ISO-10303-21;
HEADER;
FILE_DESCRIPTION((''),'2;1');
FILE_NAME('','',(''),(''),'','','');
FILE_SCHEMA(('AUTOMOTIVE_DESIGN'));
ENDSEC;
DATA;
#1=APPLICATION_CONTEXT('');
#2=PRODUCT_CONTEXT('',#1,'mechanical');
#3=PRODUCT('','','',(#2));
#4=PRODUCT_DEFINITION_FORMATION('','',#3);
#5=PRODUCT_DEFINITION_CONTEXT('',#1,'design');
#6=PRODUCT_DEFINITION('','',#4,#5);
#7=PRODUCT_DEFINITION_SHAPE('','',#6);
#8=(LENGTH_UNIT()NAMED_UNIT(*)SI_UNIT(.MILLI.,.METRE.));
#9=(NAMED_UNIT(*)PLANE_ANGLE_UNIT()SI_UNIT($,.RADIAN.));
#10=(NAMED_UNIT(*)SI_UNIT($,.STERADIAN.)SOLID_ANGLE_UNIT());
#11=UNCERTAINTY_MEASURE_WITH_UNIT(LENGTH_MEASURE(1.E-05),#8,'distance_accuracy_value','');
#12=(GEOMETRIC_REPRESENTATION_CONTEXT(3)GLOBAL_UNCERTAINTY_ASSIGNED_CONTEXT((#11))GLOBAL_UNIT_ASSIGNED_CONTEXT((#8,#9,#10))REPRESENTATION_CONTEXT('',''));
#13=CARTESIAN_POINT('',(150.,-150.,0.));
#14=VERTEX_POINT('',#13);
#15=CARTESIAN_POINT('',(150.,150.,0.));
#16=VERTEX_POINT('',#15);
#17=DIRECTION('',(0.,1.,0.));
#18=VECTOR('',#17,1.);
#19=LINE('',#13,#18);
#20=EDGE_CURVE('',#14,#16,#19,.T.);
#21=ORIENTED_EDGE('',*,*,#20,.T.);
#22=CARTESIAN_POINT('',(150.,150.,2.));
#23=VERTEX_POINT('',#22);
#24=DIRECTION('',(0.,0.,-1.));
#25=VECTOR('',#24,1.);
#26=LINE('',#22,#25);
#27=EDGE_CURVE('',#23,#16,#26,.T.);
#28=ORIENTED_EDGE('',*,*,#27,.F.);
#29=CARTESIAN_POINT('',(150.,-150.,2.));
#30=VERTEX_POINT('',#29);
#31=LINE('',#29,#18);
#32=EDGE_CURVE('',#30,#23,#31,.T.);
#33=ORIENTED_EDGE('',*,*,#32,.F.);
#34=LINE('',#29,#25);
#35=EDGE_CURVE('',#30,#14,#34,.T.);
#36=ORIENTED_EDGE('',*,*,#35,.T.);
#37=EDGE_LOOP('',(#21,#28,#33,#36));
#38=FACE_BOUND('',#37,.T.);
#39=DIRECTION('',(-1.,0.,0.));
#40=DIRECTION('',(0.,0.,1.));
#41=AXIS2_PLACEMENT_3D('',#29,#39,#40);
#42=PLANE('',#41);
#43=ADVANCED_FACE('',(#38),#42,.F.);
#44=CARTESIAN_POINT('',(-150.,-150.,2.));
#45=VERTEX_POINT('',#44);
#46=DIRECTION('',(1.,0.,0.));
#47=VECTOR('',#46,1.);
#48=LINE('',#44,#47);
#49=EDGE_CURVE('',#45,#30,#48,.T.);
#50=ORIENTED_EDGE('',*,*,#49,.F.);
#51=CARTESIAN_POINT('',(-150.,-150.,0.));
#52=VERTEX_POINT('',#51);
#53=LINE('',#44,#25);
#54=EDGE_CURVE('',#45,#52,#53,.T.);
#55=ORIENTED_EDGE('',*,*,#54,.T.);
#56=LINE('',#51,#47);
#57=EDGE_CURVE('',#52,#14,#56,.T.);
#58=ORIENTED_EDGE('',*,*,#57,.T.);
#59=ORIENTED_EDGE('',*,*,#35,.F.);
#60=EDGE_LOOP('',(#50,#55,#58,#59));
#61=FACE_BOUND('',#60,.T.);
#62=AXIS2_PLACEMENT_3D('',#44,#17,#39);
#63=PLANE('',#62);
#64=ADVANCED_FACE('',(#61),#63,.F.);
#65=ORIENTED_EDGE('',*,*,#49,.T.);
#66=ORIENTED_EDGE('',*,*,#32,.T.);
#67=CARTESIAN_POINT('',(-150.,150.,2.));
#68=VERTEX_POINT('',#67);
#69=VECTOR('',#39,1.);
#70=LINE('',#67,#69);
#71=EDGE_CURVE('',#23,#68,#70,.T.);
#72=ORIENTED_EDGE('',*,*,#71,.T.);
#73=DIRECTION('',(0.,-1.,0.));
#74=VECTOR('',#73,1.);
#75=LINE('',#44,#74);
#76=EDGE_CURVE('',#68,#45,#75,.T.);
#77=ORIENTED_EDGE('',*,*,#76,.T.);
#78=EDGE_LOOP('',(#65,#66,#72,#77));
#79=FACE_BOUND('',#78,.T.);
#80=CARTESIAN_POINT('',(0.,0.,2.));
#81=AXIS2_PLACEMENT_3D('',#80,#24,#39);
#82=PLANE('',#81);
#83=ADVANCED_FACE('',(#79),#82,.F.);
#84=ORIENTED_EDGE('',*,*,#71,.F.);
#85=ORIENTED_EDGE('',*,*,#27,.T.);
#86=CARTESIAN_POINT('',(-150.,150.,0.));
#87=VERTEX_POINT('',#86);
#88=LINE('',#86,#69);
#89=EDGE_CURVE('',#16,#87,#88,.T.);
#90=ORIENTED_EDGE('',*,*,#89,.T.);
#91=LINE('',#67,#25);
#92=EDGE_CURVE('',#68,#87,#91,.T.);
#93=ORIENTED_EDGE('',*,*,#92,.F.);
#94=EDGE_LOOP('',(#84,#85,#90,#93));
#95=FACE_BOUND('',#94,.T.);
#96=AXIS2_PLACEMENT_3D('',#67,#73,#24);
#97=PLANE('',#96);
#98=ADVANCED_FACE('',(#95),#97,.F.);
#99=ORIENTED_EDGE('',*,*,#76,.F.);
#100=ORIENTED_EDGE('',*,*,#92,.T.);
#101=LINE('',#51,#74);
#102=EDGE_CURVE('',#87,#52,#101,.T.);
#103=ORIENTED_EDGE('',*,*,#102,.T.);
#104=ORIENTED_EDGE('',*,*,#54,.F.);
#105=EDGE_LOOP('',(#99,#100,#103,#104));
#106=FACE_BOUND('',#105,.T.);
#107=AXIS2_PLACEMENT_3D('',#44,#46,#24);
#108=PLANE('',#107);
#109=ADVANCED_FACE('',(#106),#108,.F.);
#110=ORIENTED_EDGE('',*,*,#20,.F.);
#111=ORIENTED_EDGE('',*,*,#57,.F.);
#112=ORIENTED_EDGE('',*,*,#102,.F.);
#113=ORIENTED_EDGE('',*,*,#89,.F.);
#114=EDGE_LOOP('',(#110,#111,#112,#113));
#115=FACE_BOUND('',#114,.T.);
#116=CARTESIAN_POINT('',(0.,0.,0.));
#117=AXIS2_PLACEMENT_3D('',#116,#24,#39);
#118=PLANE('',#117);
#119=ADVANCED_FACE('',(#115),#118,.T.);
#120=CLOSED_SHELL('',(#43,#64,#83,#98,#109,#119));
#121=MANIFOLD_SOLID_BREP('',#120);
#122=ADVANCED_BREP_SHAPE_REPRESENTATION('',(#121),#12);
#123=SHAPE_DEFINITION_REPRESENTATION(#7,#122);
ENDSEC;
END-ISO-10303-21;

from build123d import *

# Parameters (mm, degrees)
SKETCH1_W           = 300
SKETCH1_H           = 300
BOSS_EXTRUDE1_DEPTH = 2


with BuildPart() as part:
    # Sketch1 → Boss-Extrude1 (new body)
    with BuildSketch(Plane.XY):
        Rectangle(SKETCH1_W, SKETCH1_H)
    extrude(amount=BOSS_EXTRUDE1_DEPTH)


solid = part.part
